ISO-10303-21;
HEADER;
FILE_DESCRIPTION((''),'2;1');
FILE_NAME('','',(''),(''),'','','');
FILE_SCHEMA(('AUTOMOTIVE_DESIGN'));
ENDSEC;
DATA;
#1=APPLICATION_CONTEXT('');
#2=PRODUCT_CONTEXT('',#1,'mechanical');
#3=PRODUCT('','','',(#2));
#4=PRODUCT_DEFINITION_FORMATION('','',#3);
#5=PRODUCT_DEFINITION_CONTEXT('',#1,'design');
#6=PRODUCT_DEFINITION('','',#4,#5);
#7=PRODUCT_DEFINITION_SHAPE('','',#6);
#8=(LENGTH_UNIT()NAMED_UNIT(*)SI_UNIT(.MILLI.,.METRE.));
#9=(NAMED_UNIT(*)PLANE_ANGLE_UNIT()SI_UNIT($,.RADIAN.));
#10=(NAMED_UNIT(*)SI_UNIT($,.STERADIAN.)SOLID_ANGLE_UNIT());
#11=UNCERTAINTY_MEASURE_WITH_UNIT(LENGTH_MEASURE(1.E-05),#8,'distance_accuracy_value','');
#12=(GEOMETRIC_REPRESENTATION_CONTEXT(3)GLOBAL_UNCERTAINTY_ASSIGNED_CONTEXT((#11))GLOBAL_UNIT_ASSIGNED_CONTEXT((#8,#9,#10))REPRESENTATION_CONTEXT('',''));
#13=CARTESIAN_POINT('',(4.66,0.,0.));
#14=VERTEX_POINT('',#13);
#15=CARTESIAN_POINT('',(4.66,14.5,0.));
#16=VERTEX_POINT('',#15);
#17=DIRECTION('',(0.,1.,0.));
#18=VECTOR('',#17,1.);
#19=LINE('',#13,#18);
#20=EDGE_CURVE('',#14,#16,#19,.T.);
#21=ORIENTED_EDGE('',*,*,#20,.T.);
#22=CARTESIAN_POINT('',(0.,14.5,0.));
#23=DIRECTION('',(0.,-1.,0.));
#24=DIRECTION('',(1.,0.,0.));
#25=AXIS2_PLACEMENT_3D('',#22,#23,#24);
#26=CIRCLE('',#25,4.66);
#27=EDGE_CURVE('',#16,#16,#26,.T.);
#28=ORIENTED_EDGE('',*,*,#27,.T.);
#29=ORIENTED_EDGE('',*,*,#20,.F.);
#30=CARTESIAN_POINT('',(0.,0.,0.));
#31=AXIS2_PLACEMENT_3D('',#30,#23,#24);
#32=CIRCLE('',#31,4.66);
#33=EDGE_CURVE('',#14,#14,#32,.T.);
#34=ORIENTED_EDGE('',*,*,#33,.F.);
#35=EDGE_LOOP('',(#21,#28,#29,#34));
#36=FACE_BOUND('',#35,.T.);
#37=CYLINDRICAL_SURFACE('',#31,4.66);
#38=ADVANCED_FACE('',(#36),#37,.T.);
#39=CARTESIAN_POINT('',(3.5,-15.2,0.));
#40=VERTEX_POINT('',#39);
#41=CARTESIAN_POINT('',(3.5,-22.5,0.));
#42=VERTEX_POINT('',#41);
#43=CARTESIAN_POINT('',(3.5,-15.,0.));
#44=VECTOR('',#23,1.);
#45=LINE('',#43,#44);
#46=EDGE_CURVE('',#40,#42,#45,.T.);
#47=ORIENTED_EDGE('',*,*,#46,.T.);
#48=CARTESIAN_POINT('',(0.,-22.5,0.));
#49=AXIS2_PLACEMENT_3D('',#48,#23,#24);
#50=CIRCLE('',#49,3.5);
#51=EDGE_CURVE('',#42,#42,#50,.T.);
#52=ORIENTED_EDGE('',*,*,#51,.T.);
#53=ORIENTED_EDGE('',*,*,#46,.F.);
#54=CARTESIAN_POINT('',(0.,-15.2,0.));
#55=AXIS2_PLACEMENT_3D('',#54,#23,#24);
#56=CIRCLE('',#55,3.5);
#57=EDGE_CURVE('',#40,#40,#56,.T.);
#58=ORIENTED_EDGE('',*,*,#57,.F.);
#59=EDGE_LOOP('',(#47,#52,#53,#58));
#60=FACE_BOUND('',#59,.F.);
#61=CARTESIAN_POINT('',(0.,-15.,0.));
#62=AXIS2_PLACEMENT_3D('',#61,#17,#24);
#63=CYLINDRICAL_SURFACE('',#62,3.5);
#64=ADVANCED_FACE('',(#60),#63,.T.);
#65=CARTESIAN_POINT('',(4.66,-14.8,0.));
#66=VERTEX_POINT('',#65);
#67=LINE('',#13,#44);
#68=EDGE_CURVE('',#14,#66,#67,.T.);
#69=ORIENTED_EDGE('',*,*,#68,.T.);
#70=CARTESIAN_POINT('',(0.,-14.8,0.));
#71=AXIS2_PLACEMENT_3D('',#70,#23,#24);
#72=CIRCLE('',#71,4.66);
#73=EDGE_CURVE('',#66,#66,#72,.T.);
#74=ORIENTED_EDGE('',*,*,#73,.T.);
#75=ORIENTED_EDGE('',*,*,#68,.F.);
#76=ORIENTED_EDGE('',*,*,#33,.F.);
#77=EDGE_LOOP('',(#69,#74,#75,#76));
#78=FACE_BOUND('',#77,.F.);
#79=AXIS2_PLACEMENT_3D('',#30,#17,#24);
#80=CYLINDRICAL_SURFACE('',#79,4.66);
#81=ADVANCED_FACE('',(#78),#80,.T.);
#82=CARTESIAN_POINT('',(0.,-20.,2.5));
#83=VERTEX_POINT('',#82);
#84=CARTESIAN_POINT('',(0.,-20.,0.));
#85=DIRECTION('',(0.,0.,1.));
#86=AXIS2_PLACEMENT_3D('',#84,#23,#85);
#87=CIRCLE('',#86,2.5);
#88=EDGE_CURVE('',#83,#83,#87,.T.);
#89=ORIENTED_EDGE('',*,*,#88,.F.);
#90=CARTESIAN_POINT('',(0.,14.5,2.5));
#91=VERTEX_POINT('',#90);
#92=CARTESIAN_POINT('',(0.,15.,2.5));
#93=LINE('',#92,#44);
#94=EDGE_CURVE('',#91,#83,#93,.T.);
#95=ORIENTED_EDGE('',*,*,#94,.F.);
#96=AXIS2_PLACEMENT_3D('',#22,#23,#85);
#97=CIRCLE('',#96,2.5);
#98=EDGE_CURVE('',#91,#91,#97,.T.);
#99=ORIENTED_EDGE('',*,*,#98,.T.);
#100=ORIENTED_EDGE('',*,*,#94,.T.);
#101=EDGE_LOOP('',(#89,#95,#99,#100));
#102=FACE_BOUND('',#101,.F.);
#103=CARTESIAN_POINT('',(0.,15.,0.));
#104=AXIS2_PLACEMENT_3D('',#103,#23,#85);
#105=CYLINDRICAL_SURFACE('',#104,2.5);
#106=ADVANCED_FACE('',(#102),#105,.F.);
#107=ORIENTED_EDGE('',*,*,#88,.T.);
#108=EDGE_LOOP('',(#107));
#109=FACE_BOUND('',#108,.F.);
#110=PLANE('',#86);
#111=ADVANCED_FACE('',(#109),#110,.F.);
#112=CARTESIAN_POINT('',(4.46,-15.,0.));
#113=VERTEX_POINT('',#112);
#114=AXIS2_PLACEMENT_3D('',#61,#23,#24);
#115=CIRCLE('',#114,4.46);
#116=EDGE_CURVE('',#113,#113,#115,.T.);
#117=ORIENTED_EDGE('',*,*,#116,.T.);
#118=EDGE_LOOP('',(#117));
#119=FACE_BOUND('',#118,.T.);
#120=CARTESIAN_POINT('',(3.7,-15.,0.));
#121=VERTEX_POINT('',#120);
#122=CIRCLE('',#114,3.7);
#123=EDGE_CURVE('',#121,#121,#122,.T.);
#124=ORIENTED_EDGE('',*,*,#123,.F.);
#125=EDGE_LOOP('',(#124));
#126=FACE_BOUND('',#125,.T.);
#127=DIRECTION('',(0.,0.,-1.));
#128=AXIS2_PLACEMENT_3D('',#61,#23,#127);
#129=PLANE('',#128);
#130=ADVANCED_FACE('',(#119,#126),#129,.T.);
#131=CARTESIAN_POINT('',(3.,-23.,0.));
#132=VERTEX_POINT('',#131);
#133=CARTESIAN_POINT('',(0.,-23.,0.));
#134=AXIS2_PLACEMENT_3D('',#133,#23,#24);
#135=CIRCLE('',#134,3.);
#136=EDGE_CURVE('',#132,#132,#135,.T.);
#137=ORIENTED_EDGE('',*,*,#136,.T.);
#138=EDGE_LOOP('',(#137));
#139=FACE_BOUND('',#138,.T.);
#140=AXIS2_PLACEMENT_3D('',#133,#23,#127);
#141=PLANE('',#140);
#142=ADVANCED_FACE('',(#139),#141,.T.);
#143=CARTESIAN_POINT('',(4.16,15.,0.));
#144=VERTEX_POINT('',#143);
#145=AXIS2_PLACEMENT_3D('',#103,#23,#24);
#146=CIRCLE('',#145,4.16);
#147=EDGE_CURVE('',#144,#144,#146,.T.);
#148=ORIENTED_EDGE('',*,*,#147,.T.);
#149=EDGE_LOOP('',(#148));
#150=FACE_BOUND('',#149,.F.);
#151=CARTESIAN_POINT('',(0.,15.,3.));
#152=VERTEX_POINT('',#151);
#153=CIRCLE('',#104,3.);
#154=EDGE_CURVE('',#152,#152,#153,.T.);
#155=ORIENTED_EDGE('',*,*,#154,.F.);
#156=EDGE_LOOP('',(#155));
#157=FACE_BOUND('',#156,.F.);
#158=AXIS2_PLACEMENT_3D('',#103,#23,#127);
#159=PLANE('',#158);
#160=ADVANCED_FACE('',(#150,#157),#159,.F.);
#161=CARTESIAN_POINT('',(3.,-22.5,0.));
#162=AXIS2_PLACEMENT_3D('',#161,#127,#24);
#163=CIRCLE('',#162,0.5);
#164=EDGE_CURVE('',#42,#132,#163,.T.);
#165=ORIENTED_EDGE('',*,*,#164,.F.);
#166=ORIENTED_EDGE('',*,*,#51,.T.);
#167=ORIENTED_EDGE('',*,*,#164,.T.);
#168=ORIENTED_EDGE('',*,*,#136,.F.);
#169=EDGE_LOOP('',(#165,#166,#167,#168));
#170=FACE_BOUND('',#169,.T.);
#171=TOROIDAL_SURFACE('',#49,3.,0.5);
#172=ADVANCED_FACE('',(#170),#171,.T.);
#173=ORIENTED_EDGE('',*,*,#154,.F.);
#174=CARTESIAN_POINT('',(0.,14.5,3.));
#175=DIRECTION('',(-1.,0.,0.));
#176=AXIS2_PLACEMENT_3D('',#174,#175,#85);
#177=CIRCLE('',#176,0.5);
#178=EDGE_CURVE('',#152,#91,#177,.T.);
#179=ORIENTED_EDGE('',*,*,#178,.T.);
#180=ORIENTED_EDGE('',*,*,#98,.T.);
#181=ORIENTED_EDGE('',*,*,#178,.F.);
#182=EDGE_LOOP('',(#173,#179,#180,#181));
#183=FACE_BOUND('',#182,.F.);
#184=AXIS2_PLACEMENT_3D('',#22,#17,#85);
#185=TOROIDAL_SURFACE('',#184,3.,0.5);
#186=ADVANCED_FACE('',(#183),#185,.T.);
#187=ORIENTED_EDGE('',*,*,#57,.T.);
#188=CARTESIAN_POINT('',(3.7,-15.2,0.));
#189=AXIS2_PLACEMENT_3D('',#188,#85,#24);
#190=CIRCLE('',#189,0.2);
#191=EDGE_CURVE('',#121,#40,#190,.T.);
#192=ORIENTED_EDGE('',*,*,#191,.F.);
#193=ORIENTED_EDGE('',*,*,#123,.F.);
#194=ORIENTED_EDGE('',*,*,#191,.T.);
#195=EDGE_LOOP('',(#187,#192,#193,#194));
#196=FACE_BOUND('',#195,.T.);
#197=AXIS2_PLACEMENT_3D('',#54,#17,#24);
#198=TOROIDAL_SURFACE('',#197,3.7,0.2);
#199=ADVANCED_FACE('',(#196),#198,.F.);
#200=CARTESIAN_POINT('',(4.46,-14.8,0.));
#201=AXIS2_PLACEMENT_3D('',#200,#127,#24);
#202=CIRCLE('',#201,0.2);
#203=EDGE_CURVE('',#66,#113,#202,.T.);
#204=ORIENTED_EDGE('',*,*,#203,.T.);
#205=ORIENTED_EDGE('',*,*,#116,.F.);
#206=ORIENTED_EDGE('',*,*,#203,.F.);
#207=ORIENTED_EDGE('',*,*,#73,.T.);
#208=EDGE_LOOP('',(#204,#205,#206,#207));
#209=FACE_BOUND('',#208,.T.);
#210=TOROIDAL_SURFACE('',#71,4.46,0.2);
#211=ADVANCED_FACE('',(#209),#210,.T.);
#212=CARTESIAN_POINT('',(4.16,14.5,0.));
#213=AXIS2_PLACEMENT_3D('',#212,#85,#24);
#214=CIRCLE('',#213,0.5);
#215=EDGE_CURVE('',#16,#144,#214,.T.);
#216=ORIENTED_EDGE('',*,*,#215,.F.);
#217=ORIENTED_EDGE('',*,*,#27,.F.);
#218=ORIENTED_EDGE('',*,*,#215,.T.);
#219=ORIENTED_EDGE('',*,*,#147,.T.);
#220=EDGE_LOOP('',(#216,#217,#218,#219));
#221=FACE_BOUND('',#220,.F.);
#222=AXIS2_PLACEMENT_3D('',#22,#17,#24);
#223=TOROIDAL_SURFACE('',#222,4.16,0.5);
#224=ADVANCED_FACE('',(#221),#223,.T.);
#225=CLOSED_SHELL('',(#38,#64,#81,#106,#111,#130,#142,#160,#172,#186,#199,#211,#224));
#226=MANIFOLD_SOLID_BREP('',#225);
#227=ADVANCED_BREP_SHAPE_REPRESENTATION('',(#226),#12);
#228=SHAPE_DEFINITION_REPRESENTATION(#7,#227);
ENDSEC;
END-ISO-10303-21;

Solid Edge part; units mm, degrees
sketch "Sketch1" plane through (0, 0, 0) normal (0, -1, 0) x (1, 0, 0)
  circle A0 centre (0, 0) radius 4.66
  dimension "D1" = 9.32
extrude "Protrusion1" add sketch "Sketch1" along normal mid plane 30
sketch "Sketch2" plane through (0, -15, 0) normal (0, -1, 0) x (1, 0, 0)
  circle A0 centre (0, 0) radius 3.5
  dimension "D1" = 7
extrude "ExtrudedProtrusion_2" add sketch "Sketch2" along normal blind 8
hole "Hole_1" at (0, 15, 0) direction (0, -1, 0) diameter 5 depth 35
fillet "Round_1" radius 0.5 3 edges at (-4.66, 15, 0) (0, 15, -2.5) (-3.5, -23, 0)
fillet "Round_2" radius 0.2 2 edges at (-3.5, -15, 0) (-4.66, -15, 0)
